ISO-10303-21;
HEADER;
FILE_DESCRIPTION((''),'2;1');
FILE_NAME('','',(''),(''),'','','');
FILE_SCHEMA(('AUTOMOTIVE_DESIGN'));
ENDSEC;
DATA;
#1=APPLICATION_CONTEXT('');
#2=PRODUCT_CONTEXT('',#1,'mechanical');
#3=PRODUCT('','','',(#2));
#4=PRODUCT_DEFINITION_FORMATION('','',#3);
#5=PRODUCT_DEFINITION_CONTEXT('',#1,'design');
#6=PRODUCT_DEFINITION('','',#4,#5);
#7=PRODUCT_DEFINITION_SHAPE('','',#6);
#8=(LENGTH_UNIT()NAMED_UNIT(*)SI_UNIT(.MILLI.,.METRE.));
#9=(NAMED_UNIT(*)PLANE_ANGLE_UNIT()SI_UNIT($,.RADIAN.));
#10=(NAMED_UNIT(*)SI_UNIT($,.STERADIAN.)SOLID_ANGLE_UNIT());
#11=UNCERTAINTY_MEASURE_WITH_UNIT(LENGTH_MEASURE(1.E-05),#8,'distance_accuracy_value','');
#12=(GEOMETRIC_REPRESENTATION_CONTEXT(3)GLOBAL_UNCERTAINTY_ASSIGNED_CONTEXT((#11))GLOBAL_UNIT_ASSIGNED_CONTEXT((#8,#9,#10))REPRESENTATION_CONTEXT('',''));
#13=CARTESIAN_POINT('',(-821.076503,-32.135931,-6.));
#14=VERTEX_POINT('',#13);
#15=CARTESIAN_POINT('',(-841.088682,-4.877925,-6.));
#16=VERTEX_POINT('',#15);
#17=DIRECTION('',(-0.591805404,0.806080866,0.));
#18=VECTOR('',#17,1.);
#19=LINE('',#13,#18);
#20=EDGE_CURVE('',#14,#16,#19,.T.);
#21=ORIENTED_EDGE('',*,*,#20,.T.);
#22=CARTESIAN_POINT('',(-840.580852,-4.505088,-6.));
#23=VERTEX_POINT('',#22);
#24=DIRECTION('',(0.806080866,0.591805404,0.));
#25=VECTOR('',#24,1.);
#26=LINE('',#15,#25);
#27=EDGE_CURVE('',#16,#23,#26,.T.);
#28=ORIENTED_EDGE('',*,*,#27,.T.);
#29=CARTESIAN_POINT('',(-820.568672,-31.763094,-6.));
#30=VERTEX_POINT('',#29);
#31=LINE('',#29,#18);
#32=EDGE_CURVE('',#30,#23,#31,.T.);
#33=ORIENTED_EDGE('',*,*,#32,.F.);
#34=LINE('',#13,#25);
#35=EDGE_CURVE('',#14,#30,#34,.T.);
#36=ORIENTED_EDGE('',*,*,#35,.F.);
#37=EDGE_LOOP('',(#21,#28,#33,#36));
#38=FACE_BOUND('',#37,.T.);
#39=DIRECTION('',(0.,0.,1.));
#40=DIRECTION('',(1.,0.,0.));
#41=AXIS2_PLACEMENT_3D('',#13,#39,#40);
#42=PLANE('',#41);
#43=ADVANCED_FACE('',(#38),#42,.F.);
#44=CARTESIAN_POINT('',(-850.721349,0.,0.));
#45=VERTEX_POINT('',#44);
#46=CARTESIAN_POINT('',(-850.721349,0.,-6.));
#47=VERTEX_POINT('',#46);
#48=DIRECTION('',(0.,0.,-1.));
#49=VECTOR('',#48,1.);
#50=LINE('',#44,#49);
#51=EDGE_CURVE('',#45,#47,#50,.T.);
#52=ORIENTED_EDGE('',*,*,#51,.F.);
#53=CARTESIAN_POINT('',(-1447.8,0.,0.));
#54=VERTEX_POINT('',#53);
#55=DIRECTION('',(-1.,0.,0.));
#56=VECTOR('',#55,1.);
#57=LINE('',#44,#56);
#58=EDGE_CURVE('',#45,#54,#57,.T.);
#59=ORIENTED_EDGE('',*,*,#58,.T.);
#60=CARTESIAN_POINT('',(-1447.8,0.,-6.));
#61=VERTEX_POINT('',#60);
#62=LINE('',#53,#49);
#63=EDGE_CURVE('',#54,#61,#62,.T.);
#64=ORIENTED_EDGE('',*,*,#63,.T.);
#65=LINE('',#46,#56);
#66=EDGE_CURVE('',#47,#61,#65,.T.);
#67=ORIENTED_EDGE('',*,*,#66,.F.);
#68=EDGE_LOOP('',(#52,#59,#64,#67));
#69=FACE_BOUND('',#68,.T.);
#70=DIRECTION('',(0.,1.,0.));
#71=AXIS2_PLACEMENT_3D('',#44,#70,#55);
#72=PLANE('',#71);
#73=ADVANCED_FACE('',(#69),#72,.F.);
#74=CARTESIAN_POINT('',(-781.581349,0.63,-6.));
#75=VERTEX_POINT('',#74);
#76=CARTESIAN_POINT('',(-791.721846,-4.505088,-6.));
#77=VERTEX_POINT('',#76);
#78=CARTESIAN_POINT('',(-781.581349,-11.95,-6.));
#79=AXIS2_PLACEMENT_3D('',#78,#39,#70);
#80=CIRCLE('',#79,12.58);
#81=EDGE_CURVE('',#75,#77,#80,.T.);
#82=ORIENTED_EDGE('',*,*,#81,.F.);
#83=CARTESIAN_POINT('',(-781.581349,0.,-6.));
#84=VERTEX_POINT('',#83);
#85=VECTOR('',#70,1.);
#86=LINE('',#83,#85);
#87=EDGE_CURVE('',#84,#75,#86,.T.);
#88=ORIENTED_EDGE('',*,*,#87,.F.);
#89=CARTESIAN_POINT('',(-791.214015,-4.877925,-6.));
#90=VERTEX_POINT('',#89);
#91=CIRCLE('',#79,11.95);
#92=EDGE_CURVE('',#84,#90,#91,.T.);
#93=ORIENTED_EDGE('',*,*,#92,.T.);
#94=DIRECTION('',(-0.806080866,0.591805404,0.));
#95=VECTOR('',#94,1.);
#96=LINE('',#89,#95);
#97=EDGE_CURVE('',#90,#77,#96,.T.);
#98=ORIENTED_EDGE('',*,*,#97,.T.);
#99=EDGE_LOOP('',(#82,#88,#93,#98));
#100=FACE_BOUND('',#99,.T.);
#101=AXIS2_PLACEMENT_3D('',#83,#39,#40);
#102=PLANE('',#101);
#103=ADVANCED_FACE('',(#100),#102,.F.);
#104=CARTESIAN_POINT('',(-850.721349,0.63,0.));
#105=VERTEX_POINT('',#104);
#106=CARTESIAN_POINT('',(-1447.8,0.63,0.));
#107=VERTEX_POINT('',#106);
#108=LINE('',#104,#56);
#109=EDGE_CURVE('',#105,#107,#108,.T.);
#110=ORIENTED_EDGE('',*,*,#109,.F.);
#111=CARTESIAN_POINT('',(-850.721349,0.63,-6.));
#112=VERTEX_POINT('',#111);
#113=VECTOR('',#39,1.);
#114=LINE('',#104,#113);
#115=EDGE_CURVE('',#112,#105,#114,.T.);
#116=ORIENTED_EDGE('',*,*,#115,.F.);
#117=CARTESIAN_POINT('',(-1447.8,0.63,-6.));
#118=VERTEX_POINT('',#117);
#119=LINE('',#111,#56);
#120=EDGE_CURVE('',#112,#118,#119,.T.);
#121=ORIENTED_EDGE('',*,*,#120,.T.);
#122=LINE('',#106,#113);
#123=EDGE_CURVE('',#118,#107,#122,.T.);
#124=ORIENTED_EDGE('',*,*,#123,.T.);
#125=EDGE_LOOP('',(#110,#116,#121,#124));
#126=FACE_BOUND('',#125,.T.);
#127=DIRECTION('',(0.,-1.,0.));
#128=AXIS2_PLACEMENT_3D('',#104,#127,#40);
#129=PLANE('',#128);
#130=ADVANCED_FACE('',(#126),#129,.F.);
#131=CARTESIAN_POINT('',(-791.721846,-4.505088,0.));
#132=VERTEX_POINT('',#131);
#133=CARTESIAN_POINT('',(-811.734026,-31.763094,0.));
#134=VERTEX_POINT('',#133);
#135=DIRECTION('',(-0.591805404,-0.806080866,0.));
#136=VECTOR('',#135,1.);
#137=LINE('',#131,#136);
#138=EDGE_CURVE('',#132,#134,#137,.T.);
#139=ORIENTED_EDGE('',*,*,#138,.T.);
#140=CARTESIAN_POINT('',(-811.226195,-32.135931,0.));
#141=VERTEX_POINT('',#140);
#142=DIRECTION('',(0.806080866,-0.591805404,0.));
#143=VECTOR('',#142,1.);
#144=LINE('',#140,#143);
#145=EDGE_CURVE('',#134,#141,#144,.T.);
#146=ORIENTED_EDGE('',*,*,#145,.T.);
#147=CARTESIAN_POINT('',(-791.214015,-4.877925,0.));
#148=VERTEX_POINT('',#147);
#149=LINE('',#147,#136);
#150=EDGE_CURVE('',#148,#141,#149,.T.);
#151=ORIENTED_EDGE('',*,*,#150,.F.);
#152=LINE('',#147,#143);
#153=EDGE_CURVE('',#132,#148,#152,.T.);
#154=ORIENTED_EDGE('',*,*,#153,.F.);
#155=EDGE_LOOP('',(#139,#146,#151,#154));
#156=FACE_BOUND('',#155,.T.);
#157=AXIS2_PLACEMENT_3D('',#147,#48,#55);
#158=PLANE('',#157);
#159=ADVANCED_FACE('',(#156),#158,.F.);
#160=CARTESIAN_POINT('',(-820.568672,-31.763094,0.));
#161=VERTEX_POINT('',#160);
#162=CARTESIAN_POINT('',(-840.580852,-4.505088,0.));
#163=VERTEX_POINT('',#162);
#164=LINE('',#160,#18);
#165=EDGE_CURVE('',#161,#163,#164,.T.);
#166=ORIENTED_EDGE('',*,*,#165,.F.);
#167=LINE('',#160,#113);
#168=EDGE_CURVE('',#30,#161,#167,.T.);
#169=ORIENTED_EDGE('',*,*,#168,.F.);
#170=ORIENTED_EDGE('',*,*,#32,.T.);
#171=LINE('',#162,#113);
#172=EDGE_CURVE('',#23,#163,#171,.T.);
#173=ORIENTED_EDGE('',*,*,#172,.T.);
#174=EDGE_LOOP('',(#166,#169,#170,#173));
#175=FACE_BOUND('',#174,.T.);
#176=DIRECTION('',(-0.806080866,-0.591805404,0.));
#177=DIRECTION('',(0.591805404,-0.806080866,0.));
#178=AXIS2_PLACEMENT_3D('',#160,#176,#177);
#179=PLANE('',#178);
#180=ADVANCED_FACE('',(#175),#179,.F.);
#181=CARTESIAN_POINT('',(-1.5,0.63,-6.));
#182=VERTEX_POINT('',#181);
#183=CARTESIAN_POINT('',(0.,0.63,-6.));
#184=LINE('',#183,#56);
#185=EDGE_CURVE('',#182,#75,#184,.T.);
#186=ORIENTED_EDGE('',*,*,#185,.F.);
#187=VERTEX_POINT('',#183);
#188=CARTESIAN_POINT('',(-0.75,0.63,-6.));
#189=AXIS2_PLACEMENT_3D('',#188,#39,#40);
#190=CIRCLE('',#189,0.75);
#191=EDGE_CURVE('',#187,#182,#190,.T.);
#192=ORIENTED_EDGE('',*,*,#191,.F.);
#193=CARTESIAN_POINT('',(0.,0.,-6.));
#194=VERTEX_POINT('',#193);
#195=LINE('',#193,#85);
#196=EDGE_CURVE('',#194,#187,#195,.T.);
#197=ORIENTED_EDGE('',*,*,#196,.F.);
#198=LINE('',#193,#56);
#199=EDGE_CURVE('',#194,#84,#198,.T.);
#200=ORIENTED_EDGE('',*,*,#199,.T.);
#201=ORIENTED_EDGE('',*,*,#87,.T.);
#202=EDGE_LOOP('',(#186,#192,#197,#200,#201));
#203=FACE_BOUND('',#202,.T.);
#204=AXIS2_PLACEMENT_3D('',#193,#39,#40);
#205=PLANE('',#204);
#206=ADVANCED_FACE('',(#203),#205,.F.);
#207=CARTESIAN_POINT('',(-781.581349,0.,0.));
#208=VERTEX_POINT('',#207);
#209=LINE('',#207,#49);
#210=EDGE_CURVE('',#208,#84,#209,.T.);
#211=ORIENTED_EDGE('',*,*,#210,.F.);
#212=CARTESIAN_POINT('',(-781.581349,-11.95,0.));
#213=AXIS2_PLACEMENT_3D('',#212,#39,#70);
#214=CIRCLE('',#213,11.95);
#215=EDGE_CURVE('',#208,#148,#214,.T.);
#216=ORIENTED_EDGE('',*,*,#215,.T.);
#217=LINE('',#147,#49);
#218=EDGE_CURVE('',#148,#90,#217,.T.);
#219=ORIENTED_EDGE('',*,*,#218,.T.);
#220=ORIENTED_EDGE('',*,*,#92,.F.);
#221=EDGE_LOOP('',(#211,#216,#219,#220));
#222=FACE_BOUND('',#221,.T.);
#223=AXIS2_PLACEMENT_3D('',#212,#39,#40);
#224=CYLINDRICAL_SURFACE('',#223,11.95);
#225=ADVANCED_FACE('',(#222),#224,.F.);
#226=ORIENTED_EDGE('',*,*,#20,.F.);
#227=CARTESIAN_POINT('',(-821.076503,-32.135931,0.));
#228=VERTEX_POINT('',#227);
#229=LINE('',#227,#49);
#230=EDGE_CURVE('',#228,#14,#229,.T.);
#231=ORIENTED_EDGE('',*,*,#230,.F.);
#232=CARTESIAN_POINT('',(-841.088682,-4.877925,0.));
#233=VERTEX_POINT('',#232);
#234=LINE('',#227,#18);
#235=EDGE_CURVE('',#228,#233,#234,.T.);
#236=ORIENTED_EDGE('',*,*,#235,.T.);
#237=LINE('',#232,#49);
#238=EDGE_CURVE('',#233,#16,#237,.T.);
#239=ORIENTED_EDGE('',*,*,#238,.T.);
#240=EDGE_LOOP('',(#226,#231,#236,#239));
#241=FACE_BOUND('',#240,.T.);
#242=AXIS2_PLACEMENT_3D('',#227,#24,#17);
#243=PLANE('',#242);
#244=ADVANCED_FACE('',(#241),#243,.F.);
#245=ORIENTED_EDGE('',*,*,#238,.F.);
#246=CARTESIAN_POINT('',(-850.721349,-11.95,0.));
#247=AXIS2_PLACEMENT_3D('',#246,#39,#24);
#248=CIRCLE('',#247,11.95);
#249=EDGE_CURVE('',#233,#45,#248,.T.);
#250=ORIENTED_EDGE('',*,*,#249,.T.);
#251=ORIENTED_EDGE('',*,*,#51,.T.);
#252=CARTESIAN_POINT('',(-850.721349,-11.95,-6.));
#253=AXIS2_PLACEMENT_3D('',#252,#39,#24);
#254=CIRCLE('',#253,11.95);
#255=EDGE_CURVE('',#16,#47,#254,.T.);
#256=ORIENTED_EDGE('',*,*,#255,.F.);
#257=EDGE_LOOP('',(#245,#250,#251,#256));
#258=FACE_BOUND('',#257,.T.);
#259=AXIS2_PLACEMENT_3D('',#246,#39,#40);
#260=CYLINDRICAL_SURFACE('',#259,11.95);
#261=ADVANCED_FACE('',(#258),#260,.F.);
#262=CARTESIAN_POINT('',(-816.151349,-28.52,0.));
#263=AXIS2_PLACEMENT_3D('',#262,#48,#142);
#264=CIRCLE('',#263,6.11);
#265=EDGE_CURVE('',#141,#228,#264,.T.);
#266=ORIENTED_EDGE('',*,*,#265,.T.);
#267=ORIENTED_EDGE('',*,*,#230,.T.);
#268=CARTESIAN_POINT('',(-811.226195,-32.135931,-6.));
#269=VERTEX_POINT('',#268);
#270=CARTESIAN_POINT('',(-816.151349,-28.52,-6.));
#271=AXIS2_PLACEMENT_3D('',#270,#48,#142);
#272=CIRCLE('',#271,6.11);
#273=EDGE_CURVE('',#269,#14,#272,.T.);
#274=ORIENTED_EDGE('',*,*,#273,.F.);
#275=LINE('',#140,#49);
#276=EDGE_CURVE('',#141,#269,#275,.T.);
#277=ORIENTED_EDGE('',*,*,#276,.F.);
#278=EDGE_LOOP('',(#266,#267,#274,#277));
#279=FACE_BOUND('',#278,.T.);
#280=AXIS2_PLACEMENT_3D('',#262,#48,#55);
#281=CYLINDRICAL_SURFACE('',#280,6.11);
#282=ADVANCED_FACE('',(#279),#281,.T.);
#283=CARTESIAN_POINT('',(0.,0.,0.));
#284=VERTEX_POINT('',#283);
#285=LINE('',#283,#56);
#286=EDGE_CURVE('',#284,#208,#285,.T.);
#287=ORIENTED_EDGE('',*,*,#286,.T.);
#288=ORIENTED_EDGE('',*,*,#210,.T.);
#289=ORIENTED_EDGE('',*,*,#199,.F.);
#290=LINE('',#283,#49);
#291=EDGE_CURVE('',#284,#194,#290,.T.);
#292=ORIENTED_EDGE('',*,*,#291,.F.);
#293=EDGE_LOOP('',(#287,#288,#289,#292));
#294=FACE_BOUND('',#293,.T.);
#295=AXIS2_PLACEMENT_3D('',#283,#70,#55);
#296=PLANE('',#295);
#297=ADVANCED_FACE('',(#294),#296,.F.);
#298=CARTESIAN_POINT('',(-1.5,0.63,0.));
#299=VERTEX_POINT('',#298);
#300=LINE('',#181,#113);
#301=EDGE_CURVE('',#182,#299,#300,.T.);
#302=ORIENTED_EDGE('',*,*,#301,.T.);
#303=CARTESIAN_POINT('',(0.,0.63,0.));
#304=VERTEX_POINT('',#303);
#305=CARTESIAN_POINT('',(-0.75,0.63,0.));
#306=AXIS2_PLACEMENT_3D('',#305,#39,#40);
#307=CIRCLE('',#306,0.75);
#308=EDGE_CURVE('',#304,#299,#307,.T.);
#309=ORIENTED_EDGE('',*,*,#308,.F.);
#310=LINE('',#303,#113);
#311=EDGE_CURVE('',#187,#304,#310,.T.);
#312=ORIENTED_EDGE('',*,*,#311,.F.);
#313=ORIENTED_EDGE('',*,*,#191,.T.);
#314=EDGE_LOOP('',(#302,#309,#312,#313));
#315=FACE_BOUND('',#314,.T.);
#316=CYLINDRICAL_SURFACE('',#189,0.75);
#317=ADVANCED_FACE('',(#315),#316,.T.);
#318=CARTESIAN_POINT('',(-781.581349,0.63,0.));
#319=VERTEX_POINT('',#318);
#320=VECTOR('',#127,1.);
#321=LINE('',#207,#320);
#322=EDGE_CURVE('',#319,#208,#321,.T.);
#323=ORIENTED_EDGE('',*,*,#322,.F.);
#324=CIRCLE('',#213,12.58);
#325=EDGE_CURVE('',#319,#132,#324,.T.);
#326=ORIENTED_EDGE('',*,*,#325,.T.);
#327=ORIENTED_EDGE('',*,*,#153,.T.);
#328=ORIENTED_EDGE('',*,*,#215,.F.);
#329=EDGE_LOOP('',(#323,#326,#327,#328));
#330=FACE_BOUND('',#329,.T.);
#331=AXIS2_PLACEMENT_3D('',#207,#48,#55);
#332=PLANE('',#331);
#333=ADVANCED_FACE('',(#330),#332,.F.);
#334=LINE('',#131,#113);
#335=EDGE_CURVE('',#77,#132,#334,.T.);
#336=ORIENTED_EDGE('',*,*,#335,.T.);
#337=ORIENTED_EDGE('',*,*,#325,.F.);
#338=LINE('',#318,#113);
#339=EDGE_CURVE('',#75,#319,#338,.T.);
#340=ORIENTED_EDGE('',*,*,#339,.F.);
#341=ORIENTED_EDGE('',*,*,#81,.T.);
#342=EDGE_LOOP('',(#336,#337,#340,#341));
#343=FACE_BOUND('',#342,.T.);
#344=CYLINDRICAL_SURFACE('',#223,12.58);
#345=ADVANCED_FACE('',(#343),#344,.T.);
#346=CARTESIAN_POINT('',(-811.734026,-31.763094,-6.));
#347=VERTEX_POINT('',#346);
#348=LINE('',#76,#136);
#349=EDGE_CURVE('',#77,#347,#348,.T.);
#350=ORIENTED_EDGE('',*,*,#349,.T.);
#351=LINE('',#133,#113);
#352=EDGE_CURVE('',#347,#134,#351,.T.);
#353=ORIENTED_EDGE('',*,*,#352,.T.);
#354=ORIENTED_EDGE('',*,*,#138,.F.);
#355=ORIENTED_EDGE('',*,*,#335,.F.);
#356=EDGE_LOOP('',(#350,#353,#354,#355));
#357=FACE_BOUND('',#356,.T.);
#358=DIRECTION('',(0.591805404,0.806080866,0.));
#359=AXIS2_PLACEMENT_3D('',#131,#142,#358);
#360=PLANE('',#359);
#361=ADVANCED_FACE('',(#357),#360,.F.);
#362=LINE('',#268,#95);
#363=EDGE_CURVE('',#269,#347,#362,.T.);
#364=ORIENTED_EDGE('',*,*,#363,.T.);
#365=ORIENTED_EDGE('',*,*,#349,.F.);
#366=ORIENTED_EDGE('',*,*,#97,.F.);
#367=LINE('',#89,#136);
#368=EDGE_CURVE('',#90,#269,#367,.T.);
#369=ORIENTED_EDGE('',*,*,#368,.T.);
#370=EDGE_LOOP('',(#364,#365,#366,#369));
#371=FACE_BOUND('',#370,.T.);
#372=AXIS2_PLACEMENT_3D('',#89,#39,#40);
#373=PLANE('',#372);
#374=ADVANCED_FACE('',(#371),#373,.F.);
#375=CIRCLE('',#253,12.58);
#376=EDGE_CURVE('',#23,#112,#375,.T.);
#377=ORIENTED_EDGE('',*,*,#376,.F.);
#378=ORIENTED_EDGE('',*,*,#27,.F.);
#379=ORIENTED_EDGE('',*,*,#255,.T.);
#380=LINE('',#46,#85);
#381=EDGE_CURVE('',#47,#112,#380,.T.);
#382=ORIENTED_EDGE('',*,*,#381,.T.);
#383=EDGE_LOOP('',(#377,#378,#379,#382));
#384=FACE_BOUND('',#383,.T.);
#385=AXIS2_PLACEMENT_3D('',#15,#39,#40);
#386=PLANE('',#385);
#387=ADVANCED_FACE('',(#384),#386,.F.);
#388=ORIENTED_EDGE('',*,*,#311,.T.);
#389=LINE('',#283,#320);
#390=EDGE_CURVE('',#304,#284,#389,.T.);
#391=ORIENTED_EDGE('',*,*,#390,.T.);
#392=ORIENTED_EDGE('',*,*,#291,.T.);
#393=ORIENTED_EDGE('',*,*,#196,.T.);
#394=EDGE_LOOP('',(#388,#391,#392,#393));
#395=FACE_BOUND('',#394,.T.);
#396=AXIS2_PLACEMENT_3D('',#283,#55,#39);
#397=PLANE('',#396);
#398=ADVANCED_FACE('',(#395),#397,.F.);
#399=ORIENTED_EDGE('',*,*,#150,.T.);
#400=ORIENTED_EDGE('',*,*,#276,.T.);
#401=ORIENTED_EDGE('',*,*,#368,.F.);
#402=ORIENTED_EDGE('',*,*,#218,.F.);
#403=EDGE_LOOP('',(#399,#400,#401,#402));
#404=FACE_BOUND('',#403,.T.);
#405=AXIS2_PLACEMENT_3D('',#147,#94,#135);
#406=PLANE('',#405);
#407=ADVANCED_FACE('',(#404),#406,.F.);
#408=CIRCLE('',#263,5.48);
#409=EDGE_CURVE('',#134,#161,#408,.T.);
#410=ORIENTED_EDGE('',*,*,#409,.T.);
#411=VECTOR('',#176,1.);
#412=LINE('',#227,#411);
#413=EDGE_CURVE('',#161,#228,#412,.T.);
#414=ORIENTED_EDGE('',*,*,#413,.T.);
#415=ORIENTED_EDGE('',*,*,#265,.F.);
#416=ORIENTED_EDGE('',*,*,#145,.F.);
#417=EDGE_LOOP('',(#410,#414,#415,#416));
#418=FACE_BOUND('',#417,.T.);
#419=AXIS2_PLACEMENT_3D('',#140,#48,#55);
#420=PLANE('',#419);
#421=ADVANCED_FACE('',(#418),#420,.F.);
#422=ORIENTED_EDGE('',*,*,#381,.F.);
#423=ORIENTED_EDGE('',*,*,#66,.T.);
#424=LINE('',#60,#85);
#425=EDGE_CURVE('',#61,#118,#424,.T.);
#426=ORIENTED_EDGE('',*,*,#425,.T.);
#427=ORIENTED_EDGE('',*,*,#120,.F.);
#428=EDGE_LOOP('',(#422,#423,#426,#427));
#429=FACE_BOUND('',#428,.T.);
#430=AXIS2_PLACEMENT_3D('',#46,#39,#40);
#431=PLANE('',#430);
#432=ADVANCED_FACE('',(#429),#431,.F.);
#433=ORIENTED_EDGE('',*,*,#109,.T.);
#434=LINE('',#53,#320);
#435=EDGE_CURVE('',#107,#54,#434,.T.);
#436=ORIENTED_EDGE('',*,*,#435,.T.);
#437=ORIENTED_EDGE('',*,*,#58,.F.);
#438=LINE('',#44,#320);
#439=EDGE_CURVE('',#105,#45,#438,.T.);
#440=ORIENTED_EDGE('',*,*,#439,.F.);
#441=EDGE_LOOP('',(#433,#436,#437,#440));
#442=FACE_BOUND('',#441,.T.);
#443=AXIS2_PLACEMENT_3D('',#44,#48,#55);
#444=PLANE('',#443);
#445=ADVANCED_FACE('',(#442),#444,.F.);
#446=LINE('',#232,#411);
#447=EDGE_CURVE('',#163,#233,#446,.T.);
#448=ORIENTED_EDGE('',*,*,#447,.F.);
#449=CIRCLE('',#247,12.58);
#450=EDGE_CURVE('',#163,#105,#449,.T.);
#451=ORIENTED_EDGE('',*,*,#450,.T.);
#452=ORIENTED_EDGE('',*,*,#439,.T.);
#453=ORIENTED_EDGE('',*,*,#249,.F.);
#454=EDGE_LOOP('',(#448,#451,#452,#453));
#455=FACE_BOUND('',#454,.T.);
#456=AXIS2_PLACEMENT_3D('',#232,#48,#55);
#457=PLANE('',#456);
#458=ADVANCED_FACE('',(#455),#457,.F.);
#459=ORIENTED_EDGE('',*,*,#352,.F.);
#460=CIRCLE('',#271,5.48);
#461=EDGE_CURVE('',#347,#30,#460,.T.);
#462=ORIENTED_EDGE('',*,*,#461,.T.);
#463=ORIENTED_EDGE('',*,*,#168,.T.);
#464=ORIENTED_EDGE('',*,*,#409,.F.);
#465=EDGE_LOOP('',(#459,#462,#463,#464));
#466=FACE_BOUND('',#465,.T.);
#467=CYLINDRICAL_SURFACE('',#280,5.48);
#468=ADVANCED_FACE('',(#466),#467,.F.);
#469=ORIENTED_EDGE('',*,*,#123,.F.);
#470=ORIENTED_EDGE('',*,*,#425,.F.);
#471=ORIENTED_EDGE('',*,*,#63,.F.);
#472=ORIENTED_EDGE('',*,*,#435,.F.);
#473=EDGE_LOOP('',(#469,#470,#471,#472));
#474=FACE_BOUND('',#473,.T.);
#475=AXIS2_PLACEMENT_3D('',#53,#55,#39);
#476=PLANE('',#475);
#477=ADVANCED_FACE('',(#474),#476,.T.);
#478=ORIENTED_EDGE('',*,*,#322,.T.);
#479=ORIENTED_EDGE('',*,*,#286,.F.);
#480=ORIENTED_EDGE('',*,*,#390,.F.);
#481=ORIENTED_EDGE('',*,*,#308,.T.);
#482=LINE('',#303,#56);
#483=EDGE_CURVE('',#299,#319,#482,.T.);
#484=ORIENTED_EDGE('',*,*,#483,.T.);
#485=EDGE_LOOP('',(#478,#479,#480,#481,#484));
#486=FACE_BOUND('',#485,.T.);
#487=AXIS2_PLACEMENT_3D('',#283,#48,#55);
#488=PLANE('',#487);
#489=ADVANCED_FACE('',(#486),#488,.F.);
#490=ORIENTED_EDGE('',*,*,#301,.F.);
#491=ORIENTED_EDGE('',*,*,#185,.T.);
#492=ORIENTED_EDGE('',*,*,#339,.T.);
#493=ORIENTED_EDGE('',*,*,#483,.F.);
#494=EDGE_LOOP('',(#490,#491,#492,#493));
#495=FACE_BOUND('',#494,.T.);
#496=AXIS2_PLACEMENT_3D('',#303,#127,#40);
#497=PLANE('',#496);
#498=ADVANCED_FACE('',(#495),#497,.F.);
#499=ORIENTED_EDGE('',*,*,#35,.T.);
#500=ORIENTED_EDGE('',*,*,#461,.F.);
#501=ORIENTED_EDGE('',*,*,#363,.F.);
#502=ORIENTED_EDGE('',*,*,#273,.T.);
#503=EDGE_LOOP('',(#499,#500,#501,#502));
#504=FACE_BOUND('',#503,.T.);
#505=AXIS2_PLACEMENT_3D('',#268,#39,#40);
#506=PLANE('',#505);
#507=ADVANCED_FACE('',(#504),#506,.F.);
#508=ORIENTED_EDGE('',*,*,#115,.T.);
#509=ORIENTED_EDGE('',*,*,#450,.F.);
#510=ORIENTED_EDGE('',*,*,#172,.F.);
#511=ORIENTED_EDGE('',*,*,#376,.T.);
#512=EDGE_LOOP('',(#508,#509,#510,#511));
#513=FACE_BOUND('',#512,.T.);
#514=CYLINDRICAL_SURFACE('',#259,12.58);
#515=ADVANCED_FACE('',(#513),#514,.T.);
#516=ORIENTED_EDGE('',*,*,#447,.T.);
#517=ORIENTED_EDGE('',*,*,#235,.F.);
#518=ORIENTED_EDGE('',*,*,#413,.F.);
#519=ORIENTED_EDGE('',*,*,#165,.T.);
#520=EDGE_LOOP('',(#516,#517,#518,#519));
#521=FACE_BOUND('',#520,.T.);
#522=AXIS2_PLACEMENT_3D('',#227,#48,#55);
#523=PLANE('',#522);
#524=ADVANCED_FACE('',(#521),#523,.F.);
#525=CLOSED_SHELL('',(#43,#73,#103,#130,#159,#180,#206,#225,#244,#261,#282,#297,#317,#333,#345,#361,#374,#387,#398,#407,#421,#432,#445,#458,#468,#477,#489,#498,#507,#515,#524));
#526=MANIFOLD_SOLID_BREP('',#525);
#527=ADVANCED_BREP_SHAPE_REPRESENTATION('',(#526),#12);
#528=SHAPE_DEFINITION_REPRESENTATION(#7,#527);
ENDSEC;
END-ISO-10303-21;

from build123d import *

# Parameters (mm, degrees)
SKETCH1_W           = 6
SKETCH1_H           = 0.63
BOSS_EXTRUDE1_DEPTH = 6


with BuildPart() as part:
    # Sweep1: sweep along a path in Sketch2
    with BuildLine(Plane.XY) as sweep1_path:
        Line((0, 0), (-781.58134885, 0))
        ThreePointArc((-781.58134885, 0), (-786.980015756, -1.28900119), (-791.214015204, -4.877925416))
        Line((-791.214015204, -4.877925416), (-811.226194756, -32.135931022))
        ThreePointArc((-811.226194756, -32.135931022), (-816.15134885, -34.63), (-821.076502944, -32.135931022))
        Line((-821.076502944, -32.135931022), (-841.088682496, -4.877925416))
        ThreePointArc((-841.088682496, -4.877925416), (-845.322681944, -1.28900119), (-850.72134885, 0))
        Line((-850.72134885, 0), (-1447.8, 0))
    # Sketch1 → Sweep1 (sweep)
    with BuildSketch(Plane(origin=(0, 0, 0), x_dir=(0, 0, -1), z_dir=(1, 0, 0))):
        with Locations((3, 0.315)):
            Rectangle(SKETCH1_W, SKETCH1_H)
    sweep(path=sweep1_path.line)

    # Sketch3 → Boss-Extrude1 (add, through all)
    with BuildSketch(Plane.XY):
        with BuildLine():
            Line((-1.5, 0.63), (-1.5, 0))
            Line((-1.5, 0), (0, 0))
            Line((0, 0), (0, 0.63))
            ThreePointArc((0, 0.63), (-0.75, 1.38), (-1.5, 0.63))
        make_face()
    extrude(amount=-BOSS_EXTRUDE1_DEPTH)


solid = part.part
